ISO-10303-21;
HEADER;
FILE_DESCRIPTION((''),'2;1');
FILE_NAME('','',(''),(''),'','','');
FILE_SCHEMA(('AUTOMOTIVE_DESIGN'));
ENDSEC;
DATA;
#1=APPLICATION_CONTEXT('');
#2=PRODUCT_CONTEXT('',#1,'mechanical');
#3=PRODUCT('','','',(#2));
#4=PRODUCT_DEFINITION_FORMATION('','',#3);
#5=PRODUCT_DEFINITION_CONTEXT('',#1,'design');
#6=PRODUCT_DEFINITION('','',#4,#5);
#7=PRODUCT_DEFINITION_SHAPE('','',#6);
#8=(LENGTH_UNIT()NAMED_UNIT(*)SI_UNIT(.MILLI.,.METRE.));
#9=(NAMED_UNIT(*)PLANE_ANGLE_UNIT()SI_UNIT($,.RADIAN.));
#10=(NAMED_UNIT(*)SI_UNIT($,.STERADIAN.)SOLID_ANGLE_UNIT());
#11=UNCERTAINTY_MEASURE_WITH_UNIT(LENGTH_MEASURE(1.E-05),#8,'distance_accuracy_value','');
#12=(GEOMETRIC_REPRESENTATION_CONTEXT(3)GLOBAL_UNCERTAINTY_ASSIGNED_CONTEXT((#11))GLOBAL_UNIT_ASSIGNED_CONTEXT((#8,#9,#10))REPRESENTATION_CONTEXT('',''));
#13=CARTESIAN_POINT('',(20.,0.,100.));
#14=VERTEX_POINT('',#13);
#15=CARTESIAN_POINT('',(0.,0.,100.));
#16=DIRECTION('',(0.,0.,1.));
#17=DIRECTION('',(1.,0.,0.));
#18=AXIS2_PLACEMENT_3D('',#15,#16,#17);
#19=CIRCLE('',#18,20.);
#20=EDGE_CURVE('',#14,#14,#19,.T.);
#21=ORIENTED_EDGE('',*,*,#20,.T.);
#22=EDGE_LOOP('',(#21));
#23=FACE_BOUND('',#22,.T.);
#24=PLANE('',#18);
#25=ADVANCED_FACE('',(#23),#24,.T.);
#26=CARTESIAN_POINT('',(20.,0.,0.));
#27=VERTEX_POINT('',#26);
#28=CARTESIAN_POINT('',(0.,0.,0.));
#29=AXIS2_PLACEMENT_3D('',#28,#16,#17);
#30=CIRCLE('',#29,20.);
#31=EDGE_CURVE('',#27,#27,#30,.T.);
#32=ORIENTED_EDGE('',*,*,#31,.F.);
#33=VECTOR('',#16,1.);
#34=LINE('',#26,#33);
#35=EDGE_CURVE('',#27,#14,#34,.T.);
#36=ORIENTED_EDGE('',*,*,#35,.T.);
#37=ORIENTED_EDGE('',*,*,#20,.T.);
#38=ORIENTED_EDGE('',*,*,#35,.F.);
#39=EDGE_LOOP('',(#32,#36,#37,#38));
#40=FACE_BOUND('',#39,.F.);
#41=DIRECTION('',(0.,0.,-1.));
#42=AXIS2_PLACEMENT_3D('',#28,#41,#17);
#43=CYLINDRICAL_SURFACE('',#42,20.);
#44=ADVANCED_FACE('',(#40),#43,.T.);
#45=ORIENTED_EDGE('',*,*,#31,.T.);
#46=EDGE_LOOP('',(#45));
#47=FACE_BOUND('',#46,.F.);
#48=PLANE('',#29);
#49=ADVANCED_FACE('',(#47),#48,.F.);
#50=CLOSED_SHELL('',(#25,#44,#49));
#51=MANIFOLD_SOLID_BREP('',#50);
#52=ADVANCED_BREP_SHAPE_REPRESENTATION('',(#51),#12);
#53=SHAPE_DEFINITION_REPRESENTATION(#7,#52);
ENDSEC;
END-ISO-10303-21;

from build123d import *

# Parameters (mm, degrees)
SKETCH2_R           = 20
BOSS_EXTRUDE1_DEPTH = 100


with BuildPart() as part:
    # Sketch2 → Boss-Extrude1 (new body)
    with BuildSketch(Plane.XY):
        Circle(SKETCH2_R)
    extrude(amount=BOSS_EXTRUDE1_DEPTH)


solid = part.part
